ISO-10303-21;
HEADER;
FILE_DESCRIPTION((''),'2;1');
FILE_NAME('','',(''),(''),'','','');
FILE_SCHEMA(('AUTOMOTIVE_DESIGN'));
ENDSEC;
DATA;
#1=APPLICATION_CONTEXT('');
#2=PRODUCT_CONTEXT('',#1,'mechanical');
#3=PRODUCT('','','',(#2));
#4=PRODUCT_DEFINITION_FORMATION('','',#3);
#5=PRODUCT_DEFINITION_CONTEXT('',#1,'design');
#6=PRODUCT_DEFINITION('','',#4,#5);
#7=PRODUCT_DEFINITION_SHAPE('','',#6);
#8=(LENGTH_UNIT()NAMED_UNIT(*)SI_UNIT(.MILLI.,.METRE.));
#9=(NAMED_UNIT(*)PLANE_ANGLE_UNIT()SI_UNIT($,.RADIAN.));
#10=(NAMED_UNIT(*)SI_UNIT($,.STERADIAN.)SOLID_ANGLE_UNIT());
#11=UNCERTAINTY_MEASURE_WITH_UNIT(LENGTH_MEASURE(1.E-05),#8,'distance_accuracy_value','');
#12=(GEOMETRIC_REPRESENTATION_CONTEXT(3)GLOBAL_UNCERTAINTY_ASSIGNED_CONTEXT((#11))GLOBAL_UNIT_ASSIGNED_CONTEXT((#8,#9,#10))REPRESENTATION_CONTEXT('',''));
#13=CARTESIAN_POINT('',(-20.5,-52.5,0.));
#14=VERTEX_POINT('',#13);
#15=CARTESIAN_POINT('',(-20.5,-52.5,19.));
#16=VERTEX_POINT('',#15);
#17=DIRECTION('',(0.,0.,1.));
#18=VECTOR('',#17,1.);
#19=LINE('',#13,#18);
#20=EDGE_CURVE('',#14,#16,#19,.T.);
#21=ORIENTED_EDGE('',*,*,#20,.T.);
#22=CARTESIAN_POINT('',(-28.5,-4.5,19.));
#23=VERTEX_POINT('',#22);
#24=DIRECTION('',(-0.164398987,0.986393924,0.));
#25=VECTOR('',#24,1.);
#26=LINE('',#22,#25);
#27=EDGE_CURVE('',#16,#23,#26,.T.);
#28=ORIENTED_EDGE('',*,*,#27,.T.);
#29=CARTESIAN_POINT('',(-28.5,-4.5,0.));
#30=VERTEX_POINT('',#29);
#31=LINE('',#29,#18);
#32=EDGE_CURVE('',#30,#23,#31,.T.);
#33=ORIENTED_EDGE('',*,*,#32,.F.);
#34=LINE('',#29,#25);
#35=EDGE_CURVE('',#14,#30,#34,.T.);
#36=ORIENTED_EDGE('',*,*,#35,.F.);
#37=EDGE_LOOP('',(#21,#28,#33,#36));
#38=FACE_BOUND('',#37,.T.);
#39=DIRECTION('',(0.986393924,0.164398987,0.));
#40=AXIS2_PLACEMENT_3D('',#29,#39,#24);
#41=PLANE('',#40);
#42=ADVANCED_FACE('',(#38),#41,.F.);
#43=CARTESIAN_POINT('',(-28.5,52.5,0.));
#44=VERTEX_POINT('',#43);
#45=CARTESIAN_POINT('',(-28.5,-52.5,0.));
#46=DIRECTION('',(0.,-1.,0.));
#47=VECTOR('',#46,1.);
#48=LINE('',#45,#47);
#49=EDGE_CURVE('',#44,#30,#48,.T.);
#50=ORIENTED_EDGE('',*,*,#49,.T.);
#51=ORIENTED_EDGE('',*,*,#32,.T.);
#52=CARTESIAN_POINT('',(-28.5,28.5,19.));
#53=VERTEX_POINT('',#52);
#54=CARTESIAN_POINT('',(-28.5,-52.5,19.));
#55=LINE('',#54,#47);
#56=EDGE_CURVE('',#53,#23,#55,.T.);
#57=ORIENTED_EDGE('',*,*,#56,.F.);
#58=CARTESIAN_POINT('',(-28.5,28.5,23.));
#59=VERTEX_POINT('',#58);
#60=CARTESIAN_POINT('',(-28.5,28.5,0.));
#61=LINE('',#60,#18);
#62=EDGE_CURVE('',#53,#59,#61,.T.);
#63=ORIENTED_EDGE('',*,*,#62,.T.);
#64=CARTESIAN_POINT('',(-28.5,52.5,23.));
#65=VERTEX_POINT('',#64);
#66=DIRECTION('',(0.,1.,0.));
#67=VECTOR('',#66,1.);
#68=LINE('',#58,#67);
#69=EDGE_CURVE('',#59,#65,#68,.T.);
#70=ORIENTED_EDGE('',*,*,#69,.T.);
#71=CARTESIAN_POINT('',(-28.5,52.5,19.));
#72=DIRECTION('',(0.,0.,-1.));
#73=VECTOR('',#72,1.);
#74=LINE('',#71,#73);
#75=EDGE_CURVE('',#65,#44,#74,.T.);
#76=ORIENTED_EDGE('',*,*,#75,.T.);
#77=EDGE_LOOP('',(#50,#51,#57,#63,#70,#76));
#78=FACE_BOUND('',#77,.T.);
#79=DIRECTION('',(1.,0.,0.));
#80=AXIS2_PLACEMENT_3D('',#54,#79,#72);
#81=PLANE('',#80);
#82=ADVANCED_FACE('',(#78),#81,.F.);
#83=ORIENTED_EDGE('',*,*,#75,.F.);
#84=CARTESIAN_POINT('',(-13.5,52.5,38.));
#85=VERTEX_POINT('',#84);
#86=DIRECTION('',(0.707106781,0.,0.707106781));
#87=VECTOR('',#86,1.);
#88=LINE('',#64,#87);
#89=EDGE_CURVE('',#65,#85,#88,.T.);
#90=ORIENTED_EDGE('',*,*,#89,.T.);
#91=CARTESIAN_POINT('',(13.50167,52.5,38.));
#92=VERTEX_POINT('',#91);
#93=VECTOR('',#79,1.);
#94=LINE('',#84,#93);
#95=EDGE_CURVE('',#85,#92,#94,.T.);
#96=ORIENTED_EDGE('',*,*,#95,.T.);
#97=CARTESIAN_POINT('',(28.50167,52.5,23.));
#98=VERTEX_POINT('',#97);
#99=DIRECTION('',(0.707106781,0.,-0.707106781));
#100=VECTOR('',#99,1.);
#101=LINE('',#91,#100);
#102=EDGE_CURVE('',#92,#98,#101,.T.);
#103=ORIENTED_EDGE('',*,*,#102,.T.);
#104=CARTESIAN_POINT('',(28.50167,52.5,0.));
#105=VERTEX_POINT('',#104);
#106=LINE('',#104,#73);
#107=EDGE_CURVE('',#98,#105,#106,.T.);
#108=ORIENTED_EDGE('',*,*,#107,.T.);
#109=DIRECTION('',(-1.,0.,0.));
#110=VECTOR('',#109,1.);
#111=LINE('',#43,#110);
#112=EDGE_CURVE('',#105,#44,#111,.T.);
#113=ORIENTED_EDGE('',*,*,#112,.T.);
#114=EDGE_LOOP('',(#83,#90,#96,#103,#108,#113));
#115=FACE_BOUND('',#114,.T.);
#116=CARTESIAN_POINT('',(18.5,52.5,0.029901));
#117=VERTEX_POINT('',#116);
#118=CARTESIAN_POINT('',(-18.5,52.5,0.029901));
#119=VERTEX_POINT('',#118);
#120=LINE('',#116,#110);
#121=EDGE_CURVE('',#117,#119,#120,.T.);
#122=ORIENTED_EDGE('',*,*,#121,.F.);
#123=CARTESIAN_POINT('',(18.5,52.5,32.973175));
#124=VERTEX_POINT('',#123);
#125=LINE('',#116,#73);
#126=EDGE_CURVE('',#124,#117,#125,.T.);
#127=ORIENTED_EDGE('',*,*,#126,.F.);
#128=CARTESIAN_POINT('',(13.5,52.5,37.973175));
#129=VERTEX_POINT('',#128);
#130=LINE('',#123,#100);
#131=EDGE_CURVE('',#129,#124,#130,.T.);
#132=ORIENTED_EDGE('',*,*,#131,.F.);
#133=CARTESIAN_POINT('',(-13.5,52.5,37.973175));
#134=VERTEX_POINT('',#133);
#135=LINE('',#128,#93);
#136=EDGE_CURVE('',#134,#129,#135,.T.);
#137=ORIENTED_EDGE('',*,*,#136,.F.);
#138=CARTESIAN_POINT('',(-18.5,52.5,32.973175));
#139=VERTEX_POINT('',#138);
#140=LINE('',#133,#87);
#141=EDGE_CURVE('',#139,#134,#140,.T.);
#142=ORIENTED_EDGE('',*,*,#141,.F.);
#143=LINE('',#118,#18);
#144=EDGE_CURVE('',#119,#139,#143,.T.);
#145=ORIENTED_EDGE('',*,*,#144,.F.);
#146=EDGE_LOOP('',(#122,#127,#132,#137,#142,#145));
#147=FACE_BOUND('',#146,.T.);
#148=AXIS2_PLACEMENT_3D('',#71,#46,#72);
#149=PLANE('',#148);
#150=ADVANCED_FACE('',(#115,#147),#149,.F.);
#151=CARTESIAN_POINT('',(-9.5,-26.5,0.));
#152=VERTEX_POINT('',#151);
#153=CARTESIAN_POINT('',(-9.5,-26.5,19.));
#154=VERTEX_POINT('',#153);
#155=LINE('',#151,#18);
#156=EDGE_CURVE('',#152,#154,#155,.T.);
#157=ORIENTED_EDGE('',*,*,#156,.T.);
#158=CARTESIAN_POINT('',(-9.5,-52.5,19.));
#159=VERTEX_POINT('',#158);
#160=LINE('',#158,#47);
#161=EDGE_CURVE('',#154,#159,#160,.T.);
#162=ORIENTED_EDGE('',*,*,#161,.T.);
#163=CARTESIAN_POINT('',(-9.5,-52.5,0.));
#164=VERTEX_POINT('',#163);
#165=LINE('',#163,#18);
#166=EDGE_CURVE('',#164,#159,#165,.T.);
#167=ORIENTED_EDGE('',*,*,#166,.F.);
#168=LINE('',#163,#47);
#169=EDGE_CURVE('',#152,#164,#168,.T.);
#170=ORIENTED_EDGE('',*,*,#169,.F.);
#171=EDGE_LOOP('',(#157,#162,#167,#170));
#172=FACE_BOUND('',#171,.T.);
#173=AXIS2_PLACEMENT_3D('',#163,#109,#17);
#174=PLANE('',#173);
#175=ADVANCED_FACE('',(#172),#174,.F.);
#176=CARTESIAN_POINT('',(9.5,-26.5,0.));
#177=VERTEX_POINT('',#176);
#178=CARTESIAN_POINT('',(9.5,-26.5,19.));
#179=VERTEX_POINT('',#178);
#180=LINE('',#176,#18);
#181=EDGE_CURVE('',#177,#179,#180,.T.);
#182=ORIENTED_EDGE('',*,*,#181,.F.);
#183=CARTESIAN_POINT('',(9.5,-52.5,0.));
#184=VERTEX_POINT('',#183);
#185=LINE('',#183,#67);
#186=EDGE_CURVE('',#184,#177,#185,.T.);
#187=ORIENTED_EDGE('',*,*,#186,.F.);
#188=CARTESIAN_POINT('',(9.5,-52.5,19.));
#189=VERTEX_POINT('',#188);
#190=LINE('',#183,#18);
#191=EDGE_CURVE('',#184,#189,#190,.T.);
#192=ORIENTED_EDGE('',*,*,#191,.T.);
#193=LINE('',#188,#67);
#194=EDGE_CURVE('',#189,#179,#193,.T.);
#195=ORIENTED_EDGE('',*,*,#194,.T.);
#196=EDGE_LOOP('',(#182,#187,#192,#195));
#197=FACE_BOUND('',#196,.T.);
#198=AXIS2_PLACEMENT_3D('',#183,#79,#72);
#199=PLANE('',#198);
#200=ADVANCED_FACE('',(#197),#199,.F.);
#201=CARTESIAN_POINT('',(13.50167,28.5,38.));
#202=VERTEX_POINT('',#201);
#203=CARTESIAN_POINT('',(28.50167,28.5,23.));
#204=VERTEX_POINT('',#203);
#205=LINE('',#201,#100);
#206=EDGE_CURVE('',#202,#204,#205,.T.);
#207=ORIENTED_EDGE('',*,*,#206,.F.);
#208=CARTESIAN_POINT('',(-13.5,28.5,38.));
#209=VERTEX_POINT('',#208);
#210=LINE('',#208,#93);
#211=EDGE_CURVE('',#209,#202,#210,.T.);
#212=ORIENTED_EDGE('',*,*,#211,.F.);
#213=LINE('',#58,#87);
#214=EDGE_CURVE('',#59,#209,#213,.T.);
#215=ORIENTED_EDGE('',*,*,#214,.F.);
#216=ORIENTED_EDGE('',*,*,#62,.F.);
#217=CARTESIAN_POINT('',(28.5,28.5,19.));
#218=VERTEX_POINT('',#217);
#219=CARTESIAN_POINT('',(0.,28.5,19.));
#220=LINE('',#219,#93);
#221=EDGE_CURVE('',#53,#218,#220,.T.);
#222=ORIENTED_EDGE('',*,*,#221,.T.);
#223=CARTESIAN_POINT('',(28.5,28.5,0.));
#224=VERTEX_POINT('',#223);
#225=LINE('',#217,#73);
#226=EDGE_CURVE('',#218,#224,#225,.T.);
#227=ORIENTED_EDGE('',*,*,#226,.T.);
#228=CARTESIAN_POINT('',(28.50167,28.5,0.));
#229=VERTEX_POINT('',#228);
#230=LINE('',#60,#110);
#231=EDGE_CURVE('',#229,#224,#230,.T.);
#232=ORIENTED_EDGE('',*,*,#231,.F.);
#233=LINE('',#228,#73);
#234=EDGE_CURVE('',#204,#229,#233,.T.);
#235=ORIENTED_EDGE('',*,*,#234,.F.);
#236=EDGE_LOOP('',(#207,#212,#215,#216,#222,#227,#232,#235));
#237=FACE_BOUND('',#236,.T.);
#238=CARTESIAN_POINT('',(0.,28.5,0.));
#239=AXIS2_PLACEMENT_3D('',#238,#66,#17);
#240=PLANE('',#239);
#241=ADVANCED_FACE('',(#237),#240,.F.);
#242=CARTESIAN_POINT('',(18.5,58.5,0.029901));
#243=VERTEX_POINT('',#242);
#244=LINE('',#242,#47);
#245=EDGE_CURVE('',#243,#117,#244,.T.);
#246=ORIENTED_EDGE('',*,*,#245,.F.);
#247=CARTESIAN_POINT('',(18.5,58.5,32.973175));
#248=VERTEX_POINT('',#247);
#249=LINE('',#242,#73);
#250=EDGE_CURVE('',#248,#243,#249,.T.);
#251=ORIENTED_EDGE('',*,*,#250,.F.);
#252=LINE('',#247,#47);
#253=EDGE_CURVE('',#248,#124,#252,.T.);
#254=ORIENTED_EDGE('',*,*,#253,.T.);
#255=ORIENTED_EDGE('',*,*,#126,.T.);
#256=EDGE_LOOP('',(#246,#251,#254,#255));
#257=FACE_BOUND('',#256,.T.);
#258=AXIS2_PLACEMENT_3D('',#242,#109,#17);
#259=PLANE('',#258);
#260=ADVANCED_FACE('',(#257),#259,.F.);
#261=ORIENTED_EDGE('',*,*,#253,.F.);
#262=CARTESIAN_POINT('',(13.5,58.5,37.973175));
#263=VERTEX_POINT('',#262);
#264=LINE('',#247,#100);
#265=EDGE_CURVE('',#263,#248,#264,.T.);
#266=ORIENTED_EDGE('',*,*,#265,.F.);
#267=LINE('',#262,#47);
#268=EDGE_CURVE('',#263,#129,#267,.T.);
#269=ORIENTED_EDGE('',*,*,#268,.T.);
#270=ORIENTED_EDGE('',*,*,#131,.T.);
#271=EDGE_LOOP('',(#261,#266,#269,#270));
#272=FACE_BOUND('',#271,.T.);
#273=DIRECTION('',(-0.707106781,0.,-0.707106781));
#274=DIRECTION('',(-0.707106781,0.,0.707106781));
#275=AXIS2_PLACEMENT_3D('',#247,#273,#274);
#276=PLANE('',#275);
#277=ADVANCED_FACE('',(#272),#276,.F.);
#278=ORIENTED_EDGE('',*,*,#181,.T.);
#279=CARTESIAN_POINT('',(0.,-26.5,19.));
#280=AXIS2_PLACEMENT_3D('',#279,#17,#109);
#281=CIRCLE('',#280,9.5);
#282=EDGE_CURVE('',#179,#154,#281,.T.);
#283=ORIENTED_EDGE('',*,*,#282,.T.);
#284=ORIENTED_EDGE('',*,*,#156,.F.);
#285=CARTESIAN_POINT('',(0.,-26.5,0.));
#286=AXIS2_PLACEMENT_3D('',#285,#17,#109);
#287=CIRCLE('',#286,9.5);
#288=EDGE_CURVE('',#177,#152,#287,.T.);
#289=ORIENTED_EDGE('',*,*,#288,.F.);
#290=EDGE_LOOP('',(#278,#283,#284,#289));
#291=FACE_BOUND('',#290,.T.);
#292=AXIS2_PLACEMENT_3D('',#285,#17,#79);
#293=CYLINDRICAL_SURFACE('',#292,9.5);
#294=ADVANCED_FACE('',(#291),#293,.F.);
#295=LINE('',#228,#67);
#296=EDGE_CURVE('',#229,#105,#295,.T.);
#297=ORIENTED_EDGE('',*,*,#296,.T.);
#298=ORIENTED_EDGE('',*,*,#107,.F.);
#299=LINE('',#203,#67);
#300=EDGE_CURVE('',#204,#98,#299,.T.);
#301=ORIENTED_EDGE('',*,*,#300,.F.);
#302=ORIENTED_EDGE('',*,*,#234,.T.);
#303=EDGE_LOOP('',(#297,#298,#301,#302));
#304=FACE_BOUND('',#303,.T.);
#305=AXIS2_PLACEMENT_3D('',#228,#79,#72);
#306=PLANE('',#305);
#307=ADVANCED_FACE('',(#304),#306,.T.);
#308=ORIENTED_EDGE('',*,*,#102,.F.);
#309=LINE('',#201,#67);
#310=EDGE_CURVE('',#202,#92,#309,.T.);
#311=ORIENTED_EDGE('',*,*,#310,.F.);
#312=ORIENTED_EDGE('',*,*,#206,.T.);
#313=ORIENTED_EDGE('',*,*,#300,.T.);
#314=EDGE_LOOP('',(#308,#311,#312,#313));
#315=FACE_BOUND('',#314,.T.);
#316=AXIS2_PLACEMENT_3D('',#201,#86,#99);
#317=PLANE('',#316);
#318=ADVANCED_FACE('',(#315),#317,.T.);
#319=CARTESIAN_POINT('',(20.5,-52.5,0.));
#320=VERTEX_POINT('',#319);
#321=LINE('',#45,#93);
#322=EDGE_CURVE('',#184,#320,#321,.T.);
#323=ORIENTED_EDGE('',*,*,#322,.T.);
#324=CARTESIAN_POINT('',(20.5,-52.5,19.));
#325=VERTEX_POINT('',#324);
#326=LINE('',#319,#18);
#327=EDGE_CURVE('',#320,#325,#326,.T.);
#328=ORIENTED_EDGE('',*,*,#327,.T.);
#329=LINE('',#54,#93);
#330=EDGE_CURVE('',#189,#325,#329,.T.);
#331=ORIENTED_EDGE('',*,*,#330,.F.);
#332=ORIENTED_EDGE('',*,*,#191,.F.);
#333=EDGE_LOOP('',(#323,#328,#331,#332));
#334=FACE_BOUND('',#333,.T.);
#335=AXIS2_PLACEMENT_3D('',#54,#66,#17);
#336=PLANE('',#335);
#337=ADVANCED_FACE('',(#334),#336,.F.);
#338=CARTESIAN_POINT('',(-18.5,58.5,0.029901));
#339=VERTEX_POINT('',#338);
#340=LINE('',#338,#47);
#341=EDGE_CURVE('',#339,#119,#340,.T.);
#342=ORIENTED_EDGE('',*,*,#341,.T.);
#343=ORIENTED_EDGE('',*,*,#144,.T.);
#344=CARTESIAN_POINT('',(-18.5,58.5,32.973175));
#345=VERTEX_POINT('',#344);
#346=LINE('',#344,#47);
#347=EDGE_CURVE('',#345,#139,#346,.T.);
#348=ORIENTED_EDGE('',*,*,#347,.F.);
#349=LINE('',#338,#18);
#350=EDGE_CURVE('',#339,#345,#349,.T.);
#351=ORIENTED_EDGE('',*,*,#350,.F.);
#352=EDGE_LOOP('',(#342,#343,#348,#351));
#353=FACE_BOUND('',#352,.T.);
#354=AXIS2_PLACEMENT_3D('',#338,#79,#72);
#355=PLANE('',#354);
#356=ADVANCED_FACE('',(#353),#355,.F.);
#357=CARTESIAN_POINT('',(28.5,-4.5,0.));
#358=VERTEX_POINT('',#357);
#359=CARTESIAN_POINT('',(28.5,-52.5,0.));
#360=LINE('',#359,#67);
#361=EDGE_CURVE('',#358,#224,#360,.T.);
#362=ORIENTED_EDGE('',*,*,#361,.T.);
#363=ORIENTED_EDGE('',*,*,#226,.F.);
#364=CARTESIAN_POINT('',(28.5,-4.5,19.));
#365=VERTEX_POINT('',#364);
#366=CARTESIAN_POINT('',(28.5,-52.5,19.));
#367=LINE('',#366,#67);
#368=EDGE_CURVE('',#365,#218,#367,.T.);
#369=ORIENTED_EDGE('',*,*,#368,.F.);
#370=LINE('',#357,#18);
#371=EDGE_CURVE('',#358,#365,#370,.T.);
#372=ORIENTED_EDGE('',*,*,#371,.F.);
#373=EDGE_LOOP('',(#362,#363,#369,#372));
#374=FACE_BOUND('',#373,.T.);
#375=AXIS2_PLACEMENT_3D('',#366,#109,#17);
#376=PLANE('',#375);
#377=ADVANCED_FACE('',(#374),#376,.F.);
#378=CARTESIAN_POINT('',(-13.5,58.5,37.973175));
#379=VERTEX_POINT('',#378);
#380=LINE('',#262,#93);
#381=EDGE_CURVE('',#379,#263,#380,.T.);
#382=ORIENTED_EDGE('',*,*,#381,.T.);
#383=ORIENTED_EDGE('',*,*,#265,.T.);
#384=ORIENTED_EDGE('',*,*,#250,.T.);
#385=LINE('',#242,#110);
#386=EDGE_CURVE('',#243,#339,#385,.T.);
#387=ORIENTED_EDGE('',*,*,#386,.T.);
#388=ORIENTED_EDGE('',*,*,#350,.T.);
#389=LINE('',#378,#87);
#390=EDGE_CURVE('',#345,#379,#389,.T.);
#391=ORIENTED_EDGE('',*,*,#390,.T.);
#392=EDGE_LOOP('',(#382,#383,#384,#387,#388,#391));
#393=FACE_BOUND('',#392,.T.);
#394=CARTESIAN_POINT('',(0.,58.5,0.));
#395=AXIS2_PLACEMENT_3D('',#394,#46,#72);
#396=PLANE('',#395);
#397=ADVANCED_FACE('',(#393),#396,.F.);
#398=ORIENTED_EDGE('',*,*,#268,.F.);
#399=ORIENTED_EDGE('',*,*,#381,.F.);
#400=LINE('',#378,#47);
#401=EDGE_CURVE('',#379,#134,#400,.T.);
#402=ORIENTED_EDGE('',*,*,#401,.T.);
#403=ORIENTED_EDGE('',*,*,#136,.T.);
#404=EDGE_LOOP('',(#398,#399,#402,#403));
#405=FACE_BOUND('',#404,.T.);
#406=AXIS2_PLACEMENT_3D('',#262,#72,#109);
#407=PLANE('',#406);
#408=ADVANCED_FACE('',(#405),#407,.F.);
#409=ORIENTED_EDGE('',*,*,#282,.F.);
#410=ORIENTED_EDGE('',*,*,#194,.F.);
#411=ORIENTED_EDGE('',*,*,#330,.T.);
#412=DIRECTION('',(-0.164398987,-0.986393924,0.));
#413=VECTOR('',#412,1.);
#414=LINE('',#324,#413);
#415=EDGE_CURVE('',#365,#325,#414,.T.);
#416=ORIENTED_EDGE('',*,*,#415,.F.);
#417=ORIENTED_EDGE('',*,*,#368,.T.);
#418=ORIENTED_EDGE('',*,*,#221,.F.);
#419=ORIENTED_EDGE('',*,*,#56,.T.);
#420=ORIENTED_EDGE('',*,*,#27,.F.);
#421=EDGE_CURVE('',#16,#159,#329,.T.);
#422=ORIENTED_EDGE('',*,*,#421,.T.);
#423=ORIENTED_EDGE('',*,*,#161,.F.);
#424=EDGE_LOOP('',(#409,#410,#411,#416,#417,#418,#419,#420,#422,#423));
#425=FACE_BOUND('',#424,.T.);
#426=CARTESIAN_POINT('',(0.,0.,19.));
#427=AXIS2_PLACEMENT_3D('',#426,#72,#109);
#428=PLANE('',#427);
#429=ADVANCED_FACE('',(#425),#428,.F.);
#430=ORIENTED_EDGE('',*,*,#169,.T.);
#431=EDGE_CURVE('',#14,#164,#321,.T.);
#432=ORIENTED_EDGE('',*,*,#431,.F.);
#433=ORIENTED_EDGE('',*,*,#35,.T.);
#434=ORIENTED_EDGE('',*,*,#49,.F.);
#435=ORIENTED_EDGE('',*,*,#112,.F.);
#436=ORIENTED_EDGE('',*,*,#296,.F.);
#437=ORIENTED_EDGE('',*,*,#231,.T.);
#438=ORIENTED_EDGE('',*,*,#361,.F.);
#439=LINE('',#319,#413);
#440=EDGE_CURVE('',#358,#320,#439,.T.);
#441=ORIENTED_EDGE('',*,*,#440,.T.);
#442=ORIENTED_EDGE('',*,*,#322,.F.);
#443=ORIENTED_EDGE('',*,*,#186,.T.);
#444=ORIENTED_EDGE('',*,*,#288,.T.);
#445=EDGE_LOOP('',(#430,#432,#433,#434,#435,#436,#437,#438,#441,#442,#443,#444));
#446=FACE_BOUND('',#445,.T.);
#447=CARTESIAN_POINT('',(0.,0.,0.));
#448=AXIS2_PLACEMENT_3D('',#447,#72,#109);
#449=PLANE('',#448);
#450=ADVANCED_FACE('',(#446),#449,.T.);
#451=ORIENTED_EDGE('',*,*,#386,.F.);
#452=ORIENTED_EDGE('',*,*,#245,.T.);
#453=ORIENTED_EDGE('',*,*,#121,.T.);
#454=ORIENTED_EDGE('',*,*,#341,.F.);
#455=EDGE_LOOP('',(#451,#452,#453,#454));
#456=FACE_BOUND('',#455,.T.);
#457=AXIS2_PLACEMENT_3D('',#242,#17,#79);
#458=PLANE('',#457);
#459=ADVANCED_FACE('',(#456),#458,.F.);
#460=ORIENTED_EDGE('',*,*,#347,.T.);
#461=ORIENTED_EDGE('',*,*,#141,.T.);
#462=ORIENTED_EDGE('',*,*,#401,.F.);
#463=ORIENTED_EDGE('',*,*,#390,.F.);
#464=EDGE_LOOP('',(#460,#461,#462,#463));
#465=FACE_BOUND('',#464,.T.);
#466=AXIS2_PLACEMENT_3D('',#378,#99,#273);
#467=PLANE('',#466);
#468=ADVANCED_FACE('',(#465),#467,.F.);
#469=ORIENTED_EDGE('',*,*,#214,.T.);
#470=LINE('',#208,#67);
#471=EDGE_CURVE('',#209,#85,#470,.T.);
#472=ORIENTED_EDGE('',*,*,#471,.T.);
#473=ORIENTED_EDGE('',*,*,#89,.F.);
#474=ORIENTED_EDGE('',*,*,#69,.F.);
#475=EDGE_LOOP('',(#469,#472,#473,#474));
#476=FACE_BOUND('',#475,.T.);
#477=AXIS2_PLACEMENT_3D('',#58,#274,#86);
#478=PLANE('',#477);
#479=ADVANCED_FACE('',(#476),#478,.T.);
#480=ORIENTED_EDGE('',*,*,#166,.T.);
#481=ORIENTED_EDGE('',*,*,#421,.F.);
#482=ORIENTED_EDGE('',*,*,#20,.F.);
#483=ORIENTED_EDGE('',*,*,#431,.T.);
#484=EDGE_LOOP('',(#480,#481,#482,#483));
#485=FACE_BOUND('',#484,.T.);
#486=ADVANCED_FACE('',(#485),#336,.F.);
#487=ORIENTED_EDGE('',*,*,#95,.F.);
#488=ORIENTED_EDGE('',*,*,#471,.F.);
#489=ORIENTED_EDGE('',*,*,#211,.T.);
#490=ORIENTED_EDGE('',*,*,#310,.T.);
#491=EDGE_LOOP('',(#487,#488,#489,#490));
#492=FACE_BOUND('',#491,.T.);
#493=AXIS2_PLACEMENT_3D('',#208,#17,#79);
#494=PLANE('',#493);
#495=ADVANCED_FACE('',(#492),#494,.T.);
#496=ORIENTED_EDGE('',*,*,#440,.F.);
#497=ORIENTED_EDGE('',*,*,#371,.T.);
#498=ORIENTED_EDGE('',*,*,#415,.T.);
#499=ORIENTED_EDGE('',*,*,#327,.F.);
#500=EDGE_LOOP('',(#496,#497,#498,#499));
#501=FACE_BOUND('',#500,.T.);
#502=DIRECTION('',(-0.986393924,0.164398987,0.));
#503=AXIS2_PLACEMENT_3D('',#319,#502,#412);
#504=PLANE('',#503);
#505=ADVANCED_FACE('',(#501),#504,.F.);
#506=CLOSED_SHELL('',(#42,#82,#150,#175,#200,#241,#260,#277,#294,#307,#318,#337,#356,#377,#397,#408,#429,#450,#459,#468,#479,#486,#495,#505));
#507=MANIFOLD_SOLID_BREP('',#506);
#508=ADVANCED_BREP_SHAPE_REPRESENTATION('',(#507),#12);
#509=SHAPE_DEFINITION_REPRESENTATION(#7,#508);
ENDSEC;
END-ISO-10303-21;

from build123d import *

# Parameters (mm, degrees)
SKETCH2_W           = 57
SKETCH2_H           = 105
BOSS_EXTRUDE1_DEPTH = 19
CUT_EXTRUDE1_DEPTH  = 19
CUT_EXTRUDE2_DEPTH  = 19
CUT_EXTRUDE3_DEPTH  = 63.685724053
BOSS_EXTRUDE2_DEPTH = 24
BOSS_EXTRUDE3_DEPTH = 6


with BuildPart() as part:
    # Sketch2 → Boss-Extrude1 (new body)
    with BuildSketch(Plane.XY):
        Rectangle(SKETCH2_W, SKETCH2_H)
    extrude(amount=BOSS_EXTRUDE1_DEPTH)

    # Sketch5 → Cut-Extrude1 (cut)
    with BuildSketch(Plane.XY.offset(19)):
        Polygon((28.5, -52.5), (20.5, -52.5), (28.5, -4.5), align=None)
    extrude(amount=-CUT_EXTRUDE1_DEPTH, mode=Mode.SUBTRACT)

    # Sketch6 → Cut-Extrude2 (cut)
    with BuildSketch(Plane.XY.offset(19)):
        Polygon((-28.5, -52.5), (-28.5, -4.5), (-20.5, -52.5), align=None)
    extrude(amount=-CUT_EXTRUDE2_DEPTH, mode=Mode.SUBTRACT)

    # Sketch7 → Cut-Extrude3 (cut, through all)
    with BuildSketch(Plane.XY.offset(19)):
        with BuildLine():
            Line((-9.5, -52.5), (-9.5, -26.5))
            ThreePointArc((-9.5, -26.5), (0, -17), (9.5, -26.5))
            Line((9.5, -26.5), (9.5, -52.5))
            Line((9.5, -52.5), (-9.5, -52.5))
        make_face()
    extrude(amount=-CUT_EXTRUDE3_DEPTH, mode=Mode.SUBTRACT)

    # Sketch9 → Boss-Extrude2 (add)
    with BuildSketch(Plane(origin=(0, 52.5, 0), x_dir=(1, 0, 0), z_dir=(0, 1, 0))):
        Polygon((-28.5, -23), (-13.5, -38), (13.501670398, -38), (28.501670398, -23), (28.501670398, 0), (-28.5, 0), align=None)
    extrude(amount=-BOSS_EXTRUDE2_DEPTH)

    # Sketch10 → Boss-Extrude3 (add)
    with BuildSketch(Plane(origin=(0, 52.5, 0), x_dir=(1, 0, 0), z_dir=(0, 1, 0))):
        Polygon((18.5, -0.029901303), (-18.5, -0.029901303), (-18.5, -32.973175132), (-13.5, -37.973175132), (13.5, -37.973175132), (18.5, -32.973175132), align=None)
    extrude(amount=BOSS_EXTRUDE3_DEPTH)


solid = part.part
